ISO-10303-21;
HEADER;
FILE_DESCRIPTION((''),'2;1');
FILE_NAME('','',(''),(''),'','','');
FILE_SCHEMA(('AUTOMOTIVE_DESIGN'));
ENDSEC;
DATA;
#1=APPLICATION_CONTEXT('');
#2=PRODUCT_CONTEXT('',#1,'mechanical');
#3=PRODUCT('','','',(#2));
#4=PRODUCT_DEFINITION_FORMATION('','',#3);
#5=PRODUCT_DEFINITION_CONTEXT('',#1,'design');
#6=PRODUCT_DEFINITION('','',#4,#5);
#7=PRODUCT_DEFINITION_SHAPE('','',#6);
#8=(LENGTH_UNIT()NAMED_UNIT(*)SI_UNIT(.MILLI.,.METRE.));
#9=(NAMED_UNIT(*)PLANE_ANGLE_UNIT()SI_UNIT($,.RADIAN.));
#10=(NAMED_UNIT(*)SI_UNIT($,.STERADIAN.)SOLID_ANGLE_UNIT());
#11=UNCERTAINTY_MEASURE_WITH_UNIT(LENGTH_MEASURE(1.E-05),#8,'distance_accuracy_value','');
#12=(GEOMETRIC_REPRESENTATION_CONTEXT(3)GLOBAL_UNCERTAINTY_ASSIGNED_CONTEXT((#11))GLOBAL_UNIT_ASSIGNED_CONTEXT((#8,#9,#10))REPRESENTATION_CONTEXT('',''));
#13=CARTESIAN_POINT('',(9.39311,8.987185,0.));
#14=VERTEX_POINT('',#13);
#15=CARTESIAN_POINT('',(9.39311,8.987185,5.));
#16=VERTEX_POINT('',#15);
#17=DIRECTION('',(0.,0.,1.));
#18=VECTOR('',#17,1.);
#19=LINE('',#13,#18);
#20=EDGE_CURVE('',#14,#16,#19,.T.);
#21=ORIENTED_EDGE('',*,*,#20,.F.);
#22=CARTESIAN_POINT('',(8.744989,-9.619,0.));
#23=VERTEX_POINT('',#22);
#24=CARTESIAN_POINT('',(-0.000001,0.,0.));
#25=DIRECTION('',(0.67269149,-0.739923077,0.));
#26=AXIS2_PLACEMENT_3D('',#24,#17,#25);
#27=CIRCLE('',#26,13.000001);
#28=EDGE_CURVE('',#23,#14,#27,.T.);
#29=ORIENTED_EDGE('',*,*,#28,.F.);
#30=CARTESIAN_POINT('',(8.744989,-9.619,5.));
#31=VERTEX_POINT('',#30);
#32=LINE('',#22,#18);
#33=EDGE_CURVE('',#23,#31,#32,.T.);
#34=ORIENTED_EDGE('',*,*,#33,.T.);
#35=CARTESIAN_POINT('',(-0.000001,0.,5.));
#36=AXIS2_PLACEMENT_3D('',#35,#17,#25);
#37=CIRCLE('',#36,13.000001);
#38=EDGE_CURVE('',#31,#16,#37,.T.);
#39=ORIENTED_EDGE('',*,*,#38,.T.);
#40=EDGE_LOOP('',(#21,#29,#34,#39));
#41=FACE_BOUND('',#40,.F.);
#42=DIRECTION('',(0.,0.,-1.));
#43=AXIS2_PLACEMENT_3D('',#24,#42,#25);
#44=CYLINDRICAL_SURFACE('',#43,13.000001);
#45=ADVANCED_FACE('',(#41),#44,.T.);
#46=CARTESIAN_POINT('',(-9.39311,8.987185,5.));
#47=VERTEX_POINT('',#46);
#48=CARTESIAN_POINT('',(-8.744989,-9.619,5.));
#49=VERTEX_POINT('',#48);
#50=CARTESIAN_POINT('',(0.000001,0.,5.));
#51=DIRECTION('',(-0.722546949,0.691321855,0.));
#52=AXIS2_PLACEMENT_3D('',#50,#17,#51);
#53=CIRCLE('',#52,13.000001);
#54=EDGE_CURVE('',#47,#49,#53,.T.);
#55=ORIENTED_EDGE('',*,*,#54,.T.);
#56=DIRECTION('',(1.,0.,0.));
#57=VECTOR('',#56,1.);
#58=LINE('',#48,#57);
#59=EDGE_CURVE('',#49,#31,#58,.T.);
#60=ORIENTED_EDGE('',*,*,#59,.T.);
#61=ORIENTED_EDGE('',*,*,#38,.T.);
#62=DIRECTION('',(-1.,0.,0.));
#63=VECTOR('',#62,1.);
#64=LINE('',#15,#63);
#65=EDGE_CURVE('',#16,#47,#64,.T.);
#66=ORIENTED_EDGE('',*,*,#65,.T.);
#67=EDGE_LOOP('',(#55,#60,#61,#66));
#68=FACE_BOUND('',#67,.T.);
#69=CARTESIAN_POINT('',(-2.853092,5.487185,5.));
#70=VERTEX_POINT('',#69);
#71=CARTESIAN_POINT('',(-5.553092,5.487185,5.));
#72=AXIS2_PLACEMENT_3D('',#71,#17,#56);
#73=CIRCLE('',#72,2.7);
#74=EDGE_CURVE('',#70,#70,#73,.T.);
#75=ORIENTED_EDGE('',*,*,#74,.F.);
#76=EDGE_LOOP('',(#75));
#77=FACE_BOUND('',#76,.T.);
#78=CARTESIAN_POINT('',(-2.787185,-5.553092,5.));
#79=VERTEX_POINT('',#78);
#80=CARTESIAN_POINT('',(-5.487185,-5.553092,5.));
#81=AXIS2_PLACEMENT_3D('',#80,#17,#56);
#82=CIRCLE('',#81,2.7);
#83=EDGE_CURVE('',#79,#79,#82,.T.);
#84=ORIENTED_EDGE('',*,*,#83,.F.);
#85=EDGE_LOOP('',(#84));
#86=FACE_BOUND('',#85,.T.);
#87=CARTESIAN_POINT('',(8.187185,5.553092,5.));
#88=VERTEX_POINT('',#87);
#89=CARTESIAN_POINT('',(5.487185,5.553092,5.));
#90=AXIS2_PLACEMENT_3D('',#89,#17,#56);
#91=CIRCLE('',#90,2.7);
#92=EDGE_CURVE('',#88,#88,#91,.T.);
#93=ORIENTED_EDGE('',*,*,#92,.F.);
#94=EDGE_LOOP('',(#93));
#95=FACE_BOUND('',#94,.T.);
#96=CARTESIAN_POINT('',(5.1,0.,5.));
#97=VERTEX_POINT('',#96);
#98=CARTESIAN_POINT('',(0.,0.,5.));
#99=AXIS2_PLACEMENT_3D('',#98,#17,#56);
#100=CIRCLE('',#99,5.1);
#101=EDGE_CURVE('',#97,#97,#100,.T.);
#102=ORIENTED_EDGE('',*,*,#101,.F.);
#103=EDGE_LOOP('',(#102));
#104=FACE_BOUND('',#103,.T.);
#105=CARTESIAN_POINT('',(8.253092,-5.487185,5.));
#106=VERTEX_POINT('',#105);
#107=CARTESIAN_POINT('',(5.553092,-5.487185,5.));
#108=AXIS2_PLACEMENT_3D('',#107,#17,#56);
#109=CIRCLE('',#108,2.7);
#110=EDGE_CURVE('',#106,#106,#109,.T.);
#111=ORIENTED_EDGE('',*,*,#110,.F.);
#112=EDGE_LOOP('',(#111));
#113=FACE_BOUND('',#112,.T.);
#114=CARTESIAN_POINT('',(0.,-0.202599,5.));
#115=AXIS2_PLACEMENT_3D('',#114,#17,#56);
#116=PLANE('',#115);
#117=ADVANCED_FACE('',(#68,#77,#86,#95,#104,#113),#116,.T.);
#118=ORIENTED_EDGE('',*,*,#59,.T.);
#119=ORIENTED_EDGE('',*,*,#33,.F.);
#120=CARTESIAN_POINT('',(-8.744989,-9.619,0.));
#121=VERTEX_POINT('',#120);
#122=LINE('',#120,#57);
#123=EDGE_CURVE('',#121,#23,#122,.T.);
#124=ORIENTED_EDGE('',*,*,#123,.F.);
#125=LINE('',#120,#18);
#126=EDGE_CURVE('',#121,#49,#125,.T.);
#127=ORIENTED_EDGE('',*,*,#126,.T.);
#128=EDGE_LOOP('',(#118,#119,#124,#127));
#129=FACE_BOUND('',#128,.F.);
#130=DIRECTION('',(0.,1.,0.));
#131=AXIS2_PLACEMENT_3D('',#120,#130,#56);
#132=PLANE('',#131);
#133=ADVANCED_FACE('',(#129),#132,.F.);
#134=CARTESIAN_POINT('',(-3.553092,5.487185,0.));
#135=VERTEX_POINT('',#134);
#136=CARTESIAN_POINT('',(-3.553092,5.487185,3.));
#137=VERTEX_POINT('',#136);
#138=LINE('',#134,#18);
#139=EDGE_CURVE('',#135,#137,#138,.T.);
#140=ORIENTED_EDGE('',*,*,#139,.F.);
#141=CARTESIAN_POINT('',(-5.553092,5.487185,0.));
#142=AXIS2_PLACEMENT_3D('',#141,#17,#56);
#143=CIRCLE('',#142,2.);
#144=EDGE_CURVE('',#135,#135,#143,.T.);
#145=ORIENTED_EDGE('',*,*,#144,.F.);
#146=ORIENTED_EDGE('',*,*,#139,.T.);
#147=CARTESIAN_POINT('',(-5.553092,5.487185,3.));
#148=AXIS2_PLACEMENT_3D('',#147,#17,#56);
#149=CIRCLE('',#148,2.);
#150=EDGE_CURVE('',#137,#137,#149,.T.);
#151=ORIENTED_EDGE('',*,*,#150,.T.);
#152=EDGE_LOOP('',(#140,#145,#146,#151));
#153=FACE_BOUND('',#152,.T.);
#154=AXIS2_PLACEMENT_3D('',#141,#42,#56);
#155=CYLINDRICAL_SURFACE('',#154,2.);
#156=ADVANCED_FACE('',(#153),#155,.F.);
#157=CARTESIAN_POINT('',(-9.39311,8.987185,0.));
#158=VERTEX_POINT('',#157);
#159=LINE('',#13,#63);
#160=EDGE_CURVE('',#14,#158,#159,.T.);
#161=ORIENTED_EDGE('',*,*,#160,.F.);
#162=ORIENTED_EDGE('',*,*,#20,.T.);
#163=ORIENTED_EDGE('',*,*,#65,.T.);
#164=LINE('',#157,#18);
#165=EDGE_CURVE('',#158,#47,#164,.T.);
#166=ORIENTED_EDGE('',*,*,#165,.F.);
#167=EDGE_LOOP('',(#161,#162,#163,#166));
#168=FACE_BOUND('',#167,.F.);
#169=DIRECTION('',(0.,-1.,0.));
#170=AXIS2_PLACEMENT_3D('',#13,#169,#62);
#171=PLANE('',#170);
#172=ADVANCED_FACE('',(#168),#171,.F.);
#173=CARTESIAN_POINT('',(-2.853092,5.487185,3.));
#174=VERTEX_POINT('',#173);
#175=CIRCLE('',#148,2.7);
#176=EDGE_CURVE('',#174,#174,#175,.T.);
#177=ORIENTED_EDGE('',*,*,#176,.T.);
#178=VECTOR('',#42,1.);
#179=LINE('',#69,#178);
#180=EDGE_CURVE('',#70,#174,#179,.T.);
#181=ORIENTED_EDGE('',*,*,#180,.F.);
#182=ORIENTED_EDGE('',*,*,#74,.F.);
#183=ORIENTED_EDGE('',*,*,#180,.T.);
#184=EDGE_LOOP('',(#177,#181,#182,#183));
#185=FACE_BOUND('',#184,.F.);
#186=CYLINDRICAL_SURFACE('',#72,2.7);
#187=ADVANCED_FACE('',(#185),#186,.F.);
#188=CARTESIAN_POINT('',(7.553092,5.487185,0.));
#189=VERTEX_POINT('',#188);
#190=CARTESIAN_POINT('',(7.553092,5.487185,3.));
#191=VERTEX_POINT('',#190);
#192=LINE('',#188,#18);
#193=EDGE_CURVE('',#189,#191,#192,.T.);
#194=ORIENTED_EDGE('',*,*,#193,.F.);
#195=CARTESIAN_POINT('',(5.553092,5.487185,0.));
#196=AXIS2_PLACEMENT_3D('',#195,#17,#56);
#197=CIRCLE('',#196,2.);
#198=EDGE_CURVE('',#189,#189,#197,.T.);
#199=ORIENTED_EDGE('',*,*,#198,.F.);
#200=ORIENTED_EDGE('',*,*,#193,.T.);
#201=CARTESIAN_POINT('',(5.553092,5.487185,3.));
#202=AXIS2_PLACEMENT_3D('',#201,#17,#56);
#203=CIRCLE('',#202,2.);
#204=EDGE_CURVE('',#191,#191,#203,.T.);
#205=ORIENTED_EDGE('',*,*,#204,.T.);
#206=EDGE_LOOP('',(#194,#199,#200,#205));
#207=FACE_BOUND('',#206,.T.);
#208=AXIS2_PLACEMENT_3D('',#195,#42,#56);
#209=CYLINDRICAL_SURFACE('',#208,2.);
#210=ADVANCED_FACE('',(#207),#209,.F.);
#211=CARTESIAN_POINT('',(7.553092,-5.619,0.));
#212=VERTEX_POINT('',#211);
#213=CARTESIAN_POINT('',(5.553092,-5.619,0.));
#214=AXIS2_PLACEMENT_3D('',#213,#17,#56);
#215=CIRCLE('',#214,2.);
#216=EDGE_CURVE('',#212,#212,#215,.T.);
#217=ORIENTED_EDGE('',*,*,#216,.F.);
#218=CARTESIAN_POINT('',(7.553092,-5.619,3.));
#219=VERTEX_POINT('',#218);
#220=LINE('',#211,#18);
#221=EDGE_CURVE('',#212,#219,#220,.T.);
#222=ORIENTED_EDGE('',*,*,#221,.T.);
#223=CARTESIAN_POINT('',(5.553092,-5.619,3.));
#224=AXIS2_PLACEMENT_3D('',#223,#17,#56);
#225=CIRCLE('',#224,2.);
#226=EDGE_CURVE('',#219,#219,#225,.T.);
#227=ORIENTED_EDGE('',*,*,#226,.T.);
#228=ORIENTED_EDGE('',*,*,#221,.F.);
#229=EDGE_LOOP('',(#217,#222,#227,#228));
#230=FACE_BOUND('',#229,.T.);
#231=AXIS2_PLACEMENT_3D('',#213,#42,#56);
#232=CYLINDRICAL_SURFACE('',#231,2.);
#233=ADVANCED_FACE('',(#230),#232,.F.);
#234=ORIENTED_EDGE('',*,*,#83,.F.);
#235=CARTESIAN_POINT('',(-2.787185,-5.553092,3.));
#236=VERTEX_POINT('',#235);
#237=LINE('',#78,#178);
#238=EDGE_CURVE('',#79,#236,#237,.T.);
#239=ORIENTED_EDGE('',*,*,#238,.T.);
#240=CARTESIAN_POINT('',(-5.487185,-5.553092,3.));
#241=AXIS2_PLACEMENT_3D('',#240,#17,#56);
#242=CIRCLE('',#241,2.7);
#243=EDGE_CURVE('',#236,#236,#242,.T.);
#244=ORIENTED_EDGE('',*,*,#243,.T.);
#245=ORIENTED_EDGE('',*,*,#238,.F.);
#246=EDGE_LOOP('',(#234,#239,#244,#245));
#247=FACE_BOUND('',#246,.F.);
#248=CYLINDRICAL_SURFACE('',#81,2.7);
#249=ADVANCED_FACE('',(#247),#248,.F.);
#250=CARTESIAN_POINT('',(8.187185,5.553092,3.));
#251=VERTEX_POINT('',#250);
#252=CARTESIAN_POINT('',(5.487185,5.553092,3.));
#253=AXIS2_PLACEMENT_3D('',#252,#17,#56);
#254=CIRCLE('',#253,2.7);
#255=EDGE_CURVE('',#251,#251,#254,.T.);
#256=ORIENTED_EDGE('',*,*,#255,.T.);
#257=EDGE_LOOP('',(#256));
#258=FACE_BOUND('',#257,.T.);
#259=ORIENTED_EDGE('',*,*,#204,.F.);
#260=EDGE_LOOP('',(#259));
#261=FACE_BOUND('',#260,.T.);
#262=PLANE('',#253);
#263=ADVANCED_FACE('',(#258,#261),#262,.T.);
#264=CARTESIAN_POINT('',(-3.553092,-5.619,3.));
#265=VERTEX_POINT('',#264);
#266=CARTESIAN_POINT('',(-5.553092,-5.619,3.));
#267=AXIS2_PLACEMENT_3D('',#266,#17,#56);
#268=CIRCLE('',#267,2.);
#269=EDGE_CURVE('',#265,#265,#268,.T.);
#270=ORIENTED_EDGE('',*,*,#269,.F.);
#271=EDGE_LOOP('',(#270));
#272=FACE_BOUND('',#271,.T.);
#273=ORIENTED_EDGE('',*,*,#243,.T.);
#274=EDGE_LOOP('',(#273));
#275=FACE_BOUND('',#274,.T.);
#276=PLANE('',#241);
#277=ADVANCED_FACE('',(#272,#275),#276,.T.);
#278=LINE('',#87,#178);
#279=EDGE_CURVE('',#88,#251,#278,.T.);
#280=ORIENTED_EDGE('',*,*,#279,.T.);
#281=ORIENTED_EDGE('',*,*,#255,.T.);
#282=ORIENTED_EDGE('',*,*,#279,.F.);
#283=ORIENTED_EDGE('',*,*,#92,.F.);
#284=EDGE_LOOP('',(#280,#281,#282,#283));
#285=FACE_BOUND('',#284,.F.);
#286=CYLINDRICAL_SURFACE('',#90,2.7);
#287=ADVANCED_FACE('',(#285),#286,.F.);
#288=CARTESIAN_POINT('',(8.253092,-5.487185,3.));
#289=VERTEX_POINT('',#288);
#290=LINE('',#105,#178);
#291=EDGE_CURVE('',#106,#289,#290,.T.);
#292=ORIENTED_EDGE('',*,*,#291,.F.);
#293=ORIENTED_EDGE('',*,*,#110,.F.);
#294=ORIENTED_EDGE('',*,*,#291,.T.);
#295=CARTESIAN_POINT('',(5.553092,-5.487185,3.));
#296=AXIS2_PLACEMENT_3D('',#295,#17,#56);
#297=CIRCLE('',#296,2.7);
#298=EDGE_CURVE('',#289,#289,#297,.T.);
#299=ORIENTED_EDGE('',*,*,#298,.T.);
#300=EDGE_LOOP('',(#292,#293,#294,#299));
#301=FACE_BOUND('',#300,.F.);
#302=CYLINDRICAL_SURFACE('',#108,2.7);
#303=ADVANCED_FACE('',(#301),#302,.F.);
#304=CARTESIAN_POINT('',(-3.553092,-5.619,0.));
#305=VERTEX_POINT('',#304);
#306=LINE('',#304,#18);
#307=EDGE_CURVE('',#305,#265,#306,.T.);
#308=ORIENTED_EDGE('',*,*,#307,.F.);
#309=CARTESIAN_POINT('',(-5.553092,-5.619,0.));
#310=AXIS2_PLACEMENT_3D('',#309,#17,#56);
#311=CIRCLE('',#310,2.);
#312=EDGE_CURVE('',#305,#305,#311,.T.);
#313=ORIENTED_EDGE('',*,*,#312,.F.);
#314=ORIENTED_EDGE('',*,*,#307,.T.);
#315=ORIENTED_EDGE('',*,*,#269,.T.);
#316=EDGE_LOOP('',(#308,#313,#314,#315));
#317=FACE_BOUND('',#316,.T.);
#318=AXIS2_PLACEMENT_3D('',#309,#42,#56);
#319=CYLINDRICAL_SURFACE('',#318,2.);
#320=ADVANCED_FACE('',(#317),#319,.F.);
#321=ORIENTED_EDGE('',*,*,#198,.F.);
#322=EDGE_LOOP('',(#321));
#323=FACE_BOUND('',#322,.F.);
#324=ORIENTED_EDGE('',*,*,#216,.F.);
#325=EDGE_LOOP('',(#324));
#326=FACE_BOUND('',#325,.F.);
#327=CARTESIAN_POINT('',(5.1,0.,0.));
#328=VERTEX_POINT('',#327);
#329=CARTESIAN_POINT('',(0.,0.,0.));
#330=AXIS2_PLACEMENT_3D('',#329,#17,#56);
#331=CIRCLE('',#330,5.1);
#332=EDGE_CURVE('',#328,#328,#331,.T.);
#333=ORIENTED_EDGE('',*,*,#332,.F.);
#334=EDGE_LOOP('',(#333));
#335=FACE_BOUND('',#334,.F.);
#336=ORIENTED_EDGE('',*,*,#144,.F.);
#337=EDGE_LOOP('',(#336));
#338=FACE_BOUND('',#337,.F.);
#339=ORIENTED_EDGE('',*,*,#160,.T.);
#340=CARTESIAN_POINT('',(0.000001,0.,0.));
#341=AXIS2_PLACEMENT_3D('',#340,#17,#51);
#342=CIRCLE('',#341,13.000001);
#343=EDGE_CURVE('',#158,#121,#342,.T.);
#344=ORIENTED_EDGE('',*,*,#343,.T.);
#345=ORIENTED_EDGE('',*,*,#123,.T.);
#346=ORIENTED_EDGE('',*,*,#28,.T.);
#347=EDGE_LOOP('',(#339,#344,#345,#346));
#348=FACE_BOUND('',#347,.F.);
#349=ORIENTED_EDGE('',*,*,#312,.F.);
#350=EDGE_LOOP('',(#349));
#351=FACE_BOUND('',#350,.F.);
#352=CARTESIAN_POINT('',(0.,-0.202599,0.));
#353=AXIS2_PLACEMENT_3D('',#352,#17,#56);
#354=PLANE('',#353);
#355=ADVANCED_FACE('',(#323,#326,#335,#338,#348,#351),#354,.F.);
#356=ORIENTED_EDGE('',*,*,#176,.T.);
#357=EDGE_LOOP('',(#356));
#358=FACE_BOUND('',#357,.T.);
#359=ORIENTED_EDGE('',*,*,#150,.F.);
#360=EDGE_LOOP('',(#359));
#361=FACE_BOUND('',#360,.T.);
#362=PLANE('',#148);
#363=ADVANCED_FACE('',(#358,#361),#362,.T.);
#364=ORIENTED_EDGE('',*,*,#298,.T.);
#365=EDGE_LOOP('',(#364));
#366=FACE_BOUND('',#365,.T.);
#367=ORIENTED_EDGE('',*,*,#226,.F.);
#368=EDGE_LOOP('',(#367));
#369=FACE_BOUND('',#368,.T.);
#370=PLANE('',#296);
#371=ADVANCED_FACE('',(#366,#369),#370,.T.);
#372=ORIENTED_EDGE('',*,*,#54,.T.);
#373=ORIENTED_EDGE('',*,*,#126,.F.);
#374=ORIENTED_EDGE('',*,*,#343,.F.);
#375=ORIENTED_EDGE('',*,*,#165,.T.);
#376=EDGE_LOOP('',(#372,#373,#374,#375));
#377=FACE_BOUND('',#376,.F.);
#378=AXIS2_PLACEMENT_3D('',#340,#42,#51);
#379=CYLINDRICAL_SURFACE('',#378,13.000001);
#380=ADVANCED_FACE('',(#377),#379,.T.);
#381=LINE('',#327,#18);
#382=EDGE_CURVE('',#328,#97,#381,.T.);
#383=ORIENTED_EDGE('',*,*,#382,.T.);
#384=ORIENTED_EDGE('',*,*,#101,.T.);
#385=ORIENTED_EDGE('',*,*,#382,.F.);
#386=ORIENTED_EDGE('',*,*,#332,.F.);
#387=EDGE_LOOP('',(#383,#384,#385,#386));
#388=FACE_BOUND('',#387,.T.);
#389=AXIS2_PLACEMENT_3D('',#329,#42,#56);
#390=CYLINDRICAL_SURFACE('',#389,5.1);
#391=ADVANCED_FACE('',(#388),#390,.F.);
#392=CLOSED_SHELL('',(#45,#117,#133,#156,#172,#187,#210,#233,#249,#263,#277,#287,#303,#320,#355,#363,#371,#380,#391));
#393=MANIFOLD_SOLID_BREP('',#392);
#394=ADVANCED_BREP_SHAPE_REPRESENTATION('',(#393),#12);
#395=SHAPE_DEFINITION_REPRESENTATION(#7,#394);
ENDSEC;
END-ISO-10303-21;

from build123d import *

# Parameters (mm, degrees)
F0_R     = 2
F0_R_2   = 5.1
F1_DEPTH = 5
F2_R     = 2.7
F2_R_2   = 2
F3_DEPTH = 2


with BuildPart() as f1:
    # F0 (on Top) → F1 (new body)
    with BuildSketch(Plane.XY):
        with BuildLine():
            Line((-8.744989, -9.619), (8.744989, -9.619))
            ThreePointArc((8.744989, -9.619), (12.99212, -0.452563), (9.39311, 8.987185))
            Line((9.39311, 8.987185), (-9.39311, 8.987185))
            ThreePointArc((-9.39311, 8.987185), (-12.99212, -0.452563), (-8.744989, -9.619))
        make_face()
        with Locations((-5.553092, -5.619)):
            Circle(F0_R, mode=Mode.SUBTRACT)
        with Locations((5.553092, -5.619)):
            Circle(F0_R, mode=Mode.SUBTRACT)
        with Locations((-5.553092, 5.487185)):
            Circle(F0_R, mode=Mode.SUBTRACT)
        Circle(F0_R_2, mode=Mode.SUBTRACT)
        with Locations((5.553092, 5.487185)):
            Circle(F0_R, mode=Mode.SUBTRACT)
    extrude(amount=F1_DEPTH)

    # F2 (on face) → F3 (cut)
    with BuildSketch(Plane.XY.offset(5)):
        with Locations((-5.553092, 5.487185)):
            Circle(F2_R)
        with Locations((-5.553092, 5.487185)):
            Circle(F2_R_2, mode=Mode.SUBTRACT)
        with Locations((5.487185, 5.553092)):
            Circle(F2_R)
        with Locations((5.553092, 5.487185)):
            Circle(F2_R_2, mode=Mode.SUBTRACT)
        with Locations((5.553092, -5.487185)):
            Circle(F2_R)
        with Locations((5.553092, -5.619)):
            Circle(F2_R_2, mode=Mode.SUBTRACT)
        with Locations((-5.487185, -5.553092)):
            Circle(F2_R)
        with Locations((-5.553092, -5.619)):
            Circle(F2_R_2, mode=Mode.SUBTRACT)
    extrude(amount=-F3_DEPTH, mode=Mode.SUBTRACT)


solid = f1.part
